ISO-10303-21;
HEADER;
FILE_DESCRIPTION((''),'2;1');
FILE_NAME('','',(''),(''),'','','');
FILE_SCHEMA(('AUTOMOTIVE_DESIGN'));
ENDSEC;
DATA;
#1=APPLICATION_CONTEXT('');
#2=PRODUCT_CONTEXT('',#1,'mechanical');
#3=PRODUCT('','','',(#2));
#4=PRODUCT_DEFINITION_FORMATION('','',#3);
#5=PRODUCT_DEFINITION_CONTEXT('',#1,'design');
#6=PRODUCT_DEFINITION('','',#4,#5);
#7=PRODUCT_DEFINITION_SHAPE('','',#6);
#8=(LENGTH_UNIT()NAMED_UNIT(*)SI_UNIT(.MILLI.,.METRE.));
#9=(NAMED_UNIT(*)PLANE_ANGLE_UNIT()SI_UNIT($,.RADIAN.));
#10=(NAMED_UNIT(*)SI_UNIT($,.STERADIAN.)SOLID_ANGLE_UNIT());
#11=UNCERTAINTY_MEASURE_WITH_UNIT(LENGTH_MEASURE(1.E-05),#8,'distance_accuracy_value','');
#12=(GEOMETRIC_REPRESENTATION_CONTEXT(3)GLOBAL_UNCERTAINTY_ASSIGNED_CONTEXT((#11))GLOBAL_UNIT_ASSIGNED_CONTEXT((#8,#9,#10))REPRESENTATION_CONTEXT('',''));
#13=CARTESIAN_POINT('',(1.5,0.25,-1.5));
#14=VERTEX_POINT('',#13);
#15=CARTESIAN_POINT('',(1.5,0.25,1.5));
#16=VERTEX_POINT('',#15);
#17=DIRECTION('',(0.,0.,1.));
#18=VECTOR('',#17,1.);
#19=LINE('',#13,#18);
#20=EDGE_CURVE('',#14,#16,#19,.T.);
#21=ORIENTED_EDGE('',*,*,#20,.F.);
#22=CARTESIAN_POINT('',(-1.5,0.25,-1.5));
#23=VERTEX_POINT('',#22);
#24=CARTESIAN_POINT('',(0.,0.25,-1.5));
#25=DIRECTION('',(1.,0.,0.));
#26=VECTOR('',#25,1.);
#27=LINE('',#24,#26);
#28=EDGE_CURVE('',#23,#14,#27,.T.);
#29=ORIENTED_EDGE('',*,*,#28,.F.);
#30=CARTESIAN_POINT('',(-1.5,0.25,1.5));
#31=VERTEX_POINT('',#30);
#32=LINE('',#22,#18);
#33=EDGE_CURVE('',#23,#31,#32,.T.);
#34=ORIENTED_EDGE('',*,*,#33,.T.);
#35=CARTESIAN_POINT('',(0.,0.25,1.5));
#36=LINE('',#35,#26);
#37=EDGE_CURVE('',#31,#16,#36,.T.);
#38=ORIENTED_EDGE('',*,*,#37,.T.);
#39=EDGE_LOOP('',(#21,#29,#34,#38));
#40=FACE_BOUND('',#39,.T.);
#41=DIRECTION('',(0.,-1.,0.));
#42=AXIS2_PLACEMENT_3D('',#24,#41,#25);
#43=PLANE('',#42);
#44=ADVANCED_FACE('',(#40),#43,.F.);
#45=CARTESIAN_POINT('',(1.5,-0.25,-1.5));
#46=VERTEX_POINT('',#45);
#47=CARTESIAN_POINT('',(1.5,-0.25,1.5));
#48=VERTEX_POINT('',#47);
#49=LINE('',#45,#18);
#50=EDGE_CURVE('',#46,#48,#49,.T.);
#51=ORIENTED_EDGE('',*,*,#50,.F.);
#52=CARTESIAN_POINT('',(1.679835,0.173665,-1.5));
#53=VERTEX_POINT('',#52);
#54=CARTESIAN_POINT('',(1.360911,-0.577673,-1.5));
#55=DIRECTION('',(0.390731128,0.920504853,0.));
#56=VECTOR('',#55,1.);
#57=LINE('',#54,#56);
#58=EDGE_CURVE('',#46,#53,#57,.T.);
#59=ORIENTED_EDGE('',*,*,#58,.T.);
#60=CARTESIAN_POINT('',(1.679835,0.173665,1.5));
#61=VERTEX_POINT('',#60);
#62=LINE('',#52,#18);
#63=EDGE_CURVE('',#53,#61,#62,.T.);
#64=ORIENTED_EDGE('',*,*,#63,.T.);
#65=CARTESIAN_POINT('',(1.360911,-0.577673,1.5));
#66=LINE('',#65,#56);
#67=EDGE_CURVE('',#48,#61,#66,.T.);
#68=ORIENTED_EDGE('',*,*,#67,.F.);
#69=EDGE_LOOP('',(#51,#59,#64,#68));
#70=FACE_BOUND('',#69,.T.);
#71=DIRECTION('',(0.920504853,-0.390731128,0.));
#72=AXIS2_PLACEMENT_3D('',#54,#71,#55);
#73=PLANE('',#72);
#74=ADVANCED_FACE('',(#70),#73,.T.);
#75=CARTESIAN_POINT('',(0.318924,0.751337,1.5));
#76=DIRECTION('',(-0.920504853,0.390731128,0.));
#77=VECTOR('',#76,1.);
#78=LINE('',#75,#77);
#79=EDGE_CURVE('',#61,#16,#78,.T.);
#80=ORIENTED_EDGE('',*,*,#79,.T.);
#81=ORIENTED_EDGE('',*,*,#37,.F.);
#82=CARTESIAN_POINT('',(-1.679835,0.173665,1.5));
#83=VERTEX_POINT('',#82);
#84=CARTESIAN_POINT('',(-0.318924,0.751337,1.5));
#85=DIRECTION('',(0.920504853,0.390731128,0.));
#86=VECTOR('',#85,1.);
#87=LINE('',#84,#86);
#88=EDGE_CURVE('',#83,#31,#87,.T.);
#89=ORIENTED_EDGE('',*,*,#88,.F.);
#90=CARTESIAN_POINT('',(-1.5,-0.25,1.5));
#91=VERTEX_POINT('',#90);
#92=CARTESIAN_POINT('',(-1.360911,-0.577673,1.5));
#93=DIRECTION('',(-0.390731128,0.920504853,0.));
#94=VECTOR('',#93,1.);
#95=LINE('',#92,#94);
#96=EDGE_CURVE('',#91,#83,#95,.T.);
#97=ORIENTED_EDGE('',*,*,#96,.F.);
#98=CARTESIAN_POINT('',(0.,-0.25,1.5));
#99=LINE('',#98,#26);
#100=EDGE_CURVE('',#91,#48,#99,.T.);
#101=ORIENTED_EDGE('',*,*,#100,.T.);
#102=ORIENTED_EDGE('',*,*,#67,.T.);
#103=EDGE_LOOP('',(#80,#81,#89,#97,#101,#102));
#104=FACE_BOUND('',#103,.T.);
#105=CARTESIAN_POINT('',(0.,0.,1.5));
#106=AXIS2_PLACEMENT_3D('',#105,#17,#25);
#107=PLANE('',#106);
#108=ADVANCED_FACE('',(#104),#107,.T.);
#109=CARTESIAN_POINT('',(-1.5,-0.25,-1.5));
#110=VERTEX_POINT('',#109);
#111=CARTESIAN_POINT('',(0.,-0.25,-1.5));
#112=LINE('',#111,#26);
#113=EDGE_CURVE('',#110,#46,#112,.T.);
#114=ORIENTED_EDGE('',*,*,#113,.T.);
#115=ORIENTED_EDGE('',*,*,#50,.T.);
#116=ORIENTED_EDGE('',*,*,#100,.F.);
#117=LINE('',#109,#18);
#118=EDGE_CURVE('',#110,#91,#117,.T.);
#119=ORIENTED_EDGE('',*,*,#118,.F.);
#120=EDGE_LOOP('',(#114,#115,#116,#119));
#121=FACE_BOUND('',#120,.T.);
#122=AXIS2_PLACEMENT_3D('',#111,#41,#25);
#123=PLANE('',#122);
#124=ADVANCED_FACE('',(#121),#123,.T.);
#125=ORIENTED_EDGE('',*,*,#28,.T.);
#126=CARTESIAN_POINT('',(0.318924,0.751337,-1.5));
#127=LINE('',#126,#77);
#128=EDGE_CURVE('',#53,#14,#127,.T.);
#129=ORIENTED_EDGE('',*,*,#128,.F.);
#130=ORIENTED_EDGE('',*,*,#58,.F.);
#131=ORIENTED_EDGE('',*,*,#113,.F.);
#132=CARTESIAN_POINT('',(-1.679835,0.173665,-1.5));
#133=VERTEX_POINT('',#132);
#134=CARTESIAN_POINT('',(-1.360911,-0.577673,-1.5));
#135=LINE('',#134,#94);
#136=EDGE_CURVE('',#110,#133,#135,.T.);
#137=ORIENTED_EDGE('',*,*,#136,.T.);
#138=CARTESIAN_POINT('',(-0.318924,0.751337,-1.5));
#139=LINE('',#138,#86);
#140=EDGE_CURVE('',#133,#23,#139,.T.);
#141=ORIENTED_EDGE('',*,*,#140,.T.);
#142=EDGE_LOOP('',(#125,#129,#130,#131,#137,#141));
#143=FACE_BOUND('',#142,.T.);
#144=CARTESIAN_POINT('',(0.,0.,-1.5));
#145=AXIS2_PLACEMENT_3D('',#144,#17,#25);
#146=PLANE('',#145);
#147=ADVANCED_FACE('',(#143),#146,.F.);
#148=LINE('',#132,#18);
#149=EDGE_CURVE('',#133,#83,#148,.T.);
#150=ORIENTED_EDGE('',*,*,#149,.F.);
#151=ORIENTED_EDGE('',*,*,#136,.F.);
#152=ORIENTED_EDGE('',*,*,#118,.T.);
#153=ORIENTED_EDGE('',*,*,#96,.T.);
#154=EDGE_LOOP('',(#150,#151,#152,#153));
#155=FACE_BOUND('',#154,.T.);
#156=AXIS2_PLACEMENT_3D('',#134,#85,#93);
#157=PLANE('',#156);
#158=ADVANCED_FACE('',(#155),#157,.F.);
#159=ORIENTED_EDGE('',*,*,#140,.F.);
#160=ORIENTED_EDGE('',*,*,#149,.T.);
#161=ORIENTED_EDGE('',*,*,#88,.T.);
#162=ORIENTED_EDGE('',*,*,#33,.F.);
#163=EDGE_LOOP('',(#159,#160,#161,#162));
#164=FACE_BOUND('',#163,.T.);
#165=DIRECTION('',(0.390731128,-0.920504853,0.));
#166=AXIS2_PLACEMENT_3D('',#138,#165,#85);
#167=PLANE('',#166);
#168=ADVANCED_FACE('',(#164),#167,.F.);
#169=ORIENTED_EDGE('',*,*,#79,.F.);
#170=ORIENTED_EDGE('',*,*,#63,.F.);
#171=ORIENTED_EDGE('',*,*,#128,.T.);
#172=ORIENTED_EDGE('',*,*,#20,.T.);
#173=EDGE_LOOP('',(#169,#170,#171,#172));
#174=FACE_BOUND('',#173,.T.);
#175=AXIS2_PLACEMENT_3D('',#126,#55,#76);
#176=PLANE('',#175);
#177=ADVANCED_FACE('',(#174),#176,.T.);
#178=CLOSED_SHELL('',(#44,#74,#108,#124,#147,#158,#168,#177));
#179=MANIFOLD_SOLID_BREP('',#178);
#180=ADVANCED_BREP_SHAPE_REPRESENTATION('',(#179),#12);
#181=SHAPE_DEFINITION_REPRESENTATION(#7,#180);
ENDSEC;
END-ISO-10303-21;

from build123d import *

# Parameters (mm, degrees)
BOSS_EXTRUDE1_DEPTH      = 1.5
BOSS_EXTRUDE1_DEPTH_BACK = 1.5
SKETCH2_W                = 3
SKETCH2_H                = 0.5


with BuildPart() as part:
    # Sketch2 → Boss-Extrude1 (new, two sides: drawn at the far end of the back side and taken through both)
    with BuildSketch(Plane.XY.offset(-BOSS_EXTRUDE1_DEPTH_BACK)):
        Polygon((-1.67983495, 0.173664593), (-1.5, 0.25), (-1.5, -0.25), align=None)
        Rectangle(SKETCH2_W, SKETCH2_H)
        Polygon((1.5, -0.25), (1.5, 0.25), (1.67983495, 0.173664593), align=None)
    extrude(amount=BOSS_EXTRUDE1_DEPTH + BOSS_EXTRUDE1_DEPTH_BACK)


solid = part.part
